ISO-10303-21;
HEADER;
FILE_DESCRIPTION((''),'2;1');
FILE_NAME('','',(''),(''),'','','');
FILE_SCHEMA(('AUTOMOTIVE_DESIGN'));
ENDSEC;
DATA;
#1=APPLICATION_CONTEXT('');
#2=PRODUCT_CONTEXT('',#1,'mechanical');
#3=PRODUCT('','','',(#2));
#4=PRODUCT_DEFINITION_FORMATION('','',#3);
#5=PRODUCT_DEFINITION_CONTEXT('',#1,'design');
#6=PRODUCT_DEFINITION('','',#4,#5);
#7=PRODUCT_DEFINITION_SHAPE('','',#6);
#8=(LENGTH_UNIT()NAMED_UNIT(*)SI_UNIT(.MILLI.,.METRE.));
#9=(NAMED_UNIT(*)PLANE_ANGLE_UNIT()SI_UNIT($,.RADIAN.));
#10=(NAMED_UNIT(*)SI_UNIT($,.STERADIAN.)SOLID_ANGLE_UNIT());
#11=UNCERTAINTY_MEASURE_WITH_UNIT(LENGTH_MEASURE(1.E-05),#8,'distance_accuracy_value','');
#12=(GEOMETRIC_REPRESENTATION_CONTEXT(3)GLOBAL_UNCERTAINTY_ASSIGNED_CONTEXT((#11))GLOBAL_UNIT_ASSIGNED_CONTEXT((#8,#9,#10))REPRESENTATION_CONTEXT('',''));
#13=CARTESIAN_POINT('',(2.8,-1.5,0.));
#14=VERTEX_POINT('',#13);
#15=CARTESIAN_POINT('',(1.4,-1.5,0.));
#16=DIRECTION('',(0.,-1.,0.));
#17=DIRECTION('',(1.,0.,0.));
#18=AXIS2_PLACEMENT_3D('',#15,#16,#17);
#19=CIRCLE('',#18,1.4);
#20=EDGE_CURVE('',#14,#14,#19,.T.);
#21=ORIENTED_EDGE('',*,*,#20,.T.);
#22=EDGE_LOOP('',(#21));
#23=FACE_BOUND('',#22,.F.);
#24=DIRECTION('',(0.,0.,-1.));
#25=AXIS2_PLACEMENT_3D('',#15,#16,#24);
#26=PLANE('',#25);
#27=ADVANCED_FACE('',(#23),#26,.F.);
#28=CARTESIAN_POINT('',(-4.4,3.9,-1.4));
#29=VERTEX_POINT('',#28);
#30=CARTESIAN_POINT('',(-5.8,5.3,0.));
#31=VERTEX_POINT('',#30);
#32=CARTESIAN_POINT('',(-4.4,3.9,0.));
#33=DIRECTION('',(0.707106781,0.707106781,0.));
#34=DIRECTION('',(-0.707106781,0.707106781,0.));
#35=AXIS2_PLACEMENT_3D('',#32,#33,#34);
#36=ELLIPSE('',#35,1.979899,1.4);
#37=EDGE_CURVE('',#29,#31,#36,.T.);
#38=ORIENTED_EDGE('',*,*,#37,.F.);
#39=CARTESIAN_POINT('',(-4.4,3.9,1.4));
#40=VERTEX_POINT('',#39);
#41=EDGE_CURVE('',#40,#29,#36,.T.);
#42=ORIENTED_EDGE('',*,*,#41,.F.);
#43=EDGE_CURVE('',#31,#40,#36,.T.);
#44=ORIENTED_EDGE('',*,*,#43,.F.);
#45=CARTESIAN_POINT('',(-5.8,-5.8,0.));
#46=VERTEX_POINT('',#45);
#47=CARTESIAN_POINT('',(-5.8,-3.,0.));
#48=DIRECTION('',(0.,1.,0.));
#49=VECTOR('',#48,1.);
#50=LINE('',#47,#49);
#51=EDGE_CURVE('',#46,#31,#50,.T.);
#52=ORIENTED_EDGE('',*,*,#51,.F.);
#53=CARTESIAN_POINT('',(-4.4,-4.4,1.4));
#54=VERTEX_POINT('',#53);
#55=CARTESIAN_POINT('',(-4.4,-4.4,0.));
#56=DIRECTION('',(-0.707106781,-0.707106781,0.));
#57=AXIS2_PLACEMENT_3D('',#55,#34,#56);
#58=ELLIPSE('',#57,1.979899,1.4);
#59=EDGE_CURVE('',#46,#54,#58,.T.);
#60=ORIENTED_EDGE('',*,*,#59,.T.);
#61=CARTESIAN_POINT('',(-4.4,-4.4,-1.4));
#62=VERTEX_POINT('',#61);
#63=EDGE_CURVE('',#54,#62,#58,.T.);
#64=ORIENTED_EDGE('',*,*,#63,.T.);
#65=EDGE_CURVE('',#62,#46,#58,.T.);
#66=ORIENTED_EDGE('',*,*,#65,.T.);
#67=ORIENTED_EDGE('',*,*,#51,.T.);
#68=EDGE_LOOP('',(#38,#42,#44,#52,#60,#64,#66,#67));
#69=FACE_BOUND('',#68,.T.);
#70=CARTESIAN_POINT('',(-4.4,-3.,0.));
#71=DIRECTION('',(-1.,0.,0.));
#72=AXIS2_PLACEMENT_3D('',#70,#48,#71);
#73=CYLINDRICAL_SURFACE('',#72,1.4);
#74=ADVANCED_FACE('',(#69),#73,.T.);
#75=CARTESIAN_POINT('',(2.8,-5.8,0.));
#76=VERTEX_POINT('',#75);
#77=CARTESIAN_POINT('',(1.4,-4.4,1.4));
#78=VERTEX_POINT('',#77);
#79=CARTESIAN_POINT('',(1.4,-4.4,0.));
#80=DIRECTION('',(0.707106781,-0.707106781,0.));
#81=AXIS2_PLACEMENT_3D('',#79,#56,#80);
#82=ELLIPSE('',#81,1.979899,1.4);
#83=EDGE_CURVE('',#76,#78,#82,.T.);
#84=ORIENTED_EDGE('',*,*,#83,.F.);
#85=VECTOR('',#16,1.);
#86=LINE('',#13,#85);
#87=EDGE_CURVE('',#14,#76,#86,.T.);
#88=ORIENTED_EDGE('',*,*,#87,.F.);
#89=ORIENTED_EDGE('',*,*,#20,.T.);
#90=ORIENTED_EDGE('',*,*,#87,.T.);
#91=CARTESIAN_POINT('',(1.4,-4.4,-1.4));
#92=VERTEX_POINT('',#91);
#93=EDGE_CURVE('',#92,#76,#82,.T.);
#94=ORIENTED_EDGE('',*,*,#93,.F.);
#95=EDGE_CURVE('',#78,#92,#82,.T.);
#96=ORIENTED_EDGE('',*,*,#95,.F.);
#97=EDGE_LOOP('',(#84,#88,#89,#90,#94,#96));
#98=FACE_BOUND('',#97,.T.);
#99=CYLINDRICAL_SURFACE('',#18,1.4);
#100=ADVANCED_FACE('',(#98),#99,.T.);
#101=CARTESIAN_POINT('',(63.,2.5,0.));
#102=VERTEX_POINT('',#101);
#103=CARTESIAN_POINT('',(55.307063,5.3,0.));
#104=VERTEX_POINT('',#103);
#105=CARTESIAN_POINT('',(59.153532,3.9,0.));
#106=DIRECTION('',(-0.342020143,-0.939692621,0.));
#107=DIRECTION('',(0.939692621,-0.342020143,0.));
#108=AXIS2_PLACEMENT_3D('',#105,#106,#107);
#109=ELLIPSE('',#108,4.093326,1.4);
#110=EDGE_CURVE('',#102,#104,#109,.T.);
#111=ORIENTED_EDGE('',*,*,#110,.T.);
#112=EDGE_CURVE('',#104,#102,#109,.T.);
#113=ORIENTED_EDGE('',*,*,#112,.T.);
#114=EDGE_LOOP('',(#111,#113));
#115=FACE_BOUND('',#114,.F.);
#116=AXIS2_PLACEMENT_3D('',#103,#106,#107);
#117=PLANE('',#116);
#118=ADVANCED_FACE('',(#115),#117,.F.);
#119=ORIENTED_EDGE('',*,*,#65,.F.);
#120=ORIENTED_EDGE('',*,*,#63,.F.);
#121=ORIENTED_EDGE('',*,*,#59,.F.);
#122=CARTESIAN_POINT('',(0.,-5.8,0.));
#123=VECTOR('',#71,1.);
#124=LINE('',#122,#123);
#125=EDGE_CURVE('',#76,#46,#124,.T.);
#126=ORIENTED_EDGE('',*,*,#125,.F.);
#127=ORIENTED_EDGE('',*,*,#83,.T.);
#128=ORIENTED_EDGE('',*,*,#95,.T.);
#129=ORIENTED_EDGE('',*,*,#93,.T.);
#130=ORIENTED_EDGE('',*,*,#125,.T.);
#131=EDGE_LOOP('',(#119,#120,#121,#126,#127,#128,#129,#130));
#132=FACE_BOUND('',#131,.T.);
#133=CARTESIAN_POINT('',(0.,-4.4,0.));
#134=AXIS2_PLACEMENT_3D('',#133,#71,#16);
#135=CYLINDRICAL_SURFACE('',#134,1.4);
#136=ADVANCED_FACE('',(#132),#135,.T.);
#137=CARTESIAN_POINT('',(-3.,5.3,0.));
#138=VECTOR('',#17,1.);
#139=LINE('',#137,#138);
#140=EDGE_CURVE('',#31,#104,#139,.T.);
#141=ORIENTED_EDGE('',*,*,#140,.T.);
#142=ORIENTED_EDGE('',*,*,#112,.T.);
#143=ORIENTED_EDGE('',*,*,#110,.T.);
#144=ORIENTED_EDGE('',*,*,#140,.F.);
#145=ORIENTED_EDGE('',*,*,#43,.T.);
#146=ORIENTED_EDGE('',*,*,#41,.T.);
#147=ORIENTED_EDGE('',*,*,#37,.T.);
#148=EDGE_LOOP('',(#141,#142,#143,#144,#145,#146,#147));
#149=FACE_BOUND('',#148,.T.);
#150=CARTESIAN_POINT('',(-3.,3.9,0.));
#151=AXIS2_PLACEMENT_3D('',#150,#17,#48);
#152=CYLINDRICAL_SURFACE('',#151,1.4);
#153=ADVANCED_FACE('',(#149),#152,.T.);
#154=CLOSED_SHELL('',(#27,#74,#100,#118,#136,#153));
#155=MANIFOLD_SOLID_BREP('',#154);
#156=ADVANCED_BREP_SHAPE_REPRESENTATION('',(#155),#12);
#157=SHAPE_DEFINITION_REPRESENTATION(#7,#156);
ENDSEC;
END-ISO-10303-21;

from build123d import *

# Parameters (mm, degrees)
F2_R     = 1.4
F5_DEPTH = 12.5


with BuildPart() as f3:
    # F3: sweep along a path in F0
    with BuildLine(Plane.XY) as f3_path:
        Line((0, -1.5), (0, -3))
        Line((0, -3), (-3, -3))
        Line((-3, -3), (-3, 2.5))
        Line((-3, 2.5), (63, 2.5))
    # F2 (on plane+point) → F3 (sweep)
    with BuildSketch(Plane.XZ.offset(1.5)):
        with Locations((1.4, 0)):
            Circle(F2_R)
    sweep(path=f3_path.line, transition=Transition.RIGHT)

    # F4 (on Top) → F5 (cut, symmetric)
    with BuildSketch(Plane.XY):
        Polygon((63, 2.5), (63, 5.3), (55.3070632255, 5.3), align=None)
    extrude(amount=F5_DEPTH, both=True, mode=Mode.SUBTRACT)


solid = f3.part
